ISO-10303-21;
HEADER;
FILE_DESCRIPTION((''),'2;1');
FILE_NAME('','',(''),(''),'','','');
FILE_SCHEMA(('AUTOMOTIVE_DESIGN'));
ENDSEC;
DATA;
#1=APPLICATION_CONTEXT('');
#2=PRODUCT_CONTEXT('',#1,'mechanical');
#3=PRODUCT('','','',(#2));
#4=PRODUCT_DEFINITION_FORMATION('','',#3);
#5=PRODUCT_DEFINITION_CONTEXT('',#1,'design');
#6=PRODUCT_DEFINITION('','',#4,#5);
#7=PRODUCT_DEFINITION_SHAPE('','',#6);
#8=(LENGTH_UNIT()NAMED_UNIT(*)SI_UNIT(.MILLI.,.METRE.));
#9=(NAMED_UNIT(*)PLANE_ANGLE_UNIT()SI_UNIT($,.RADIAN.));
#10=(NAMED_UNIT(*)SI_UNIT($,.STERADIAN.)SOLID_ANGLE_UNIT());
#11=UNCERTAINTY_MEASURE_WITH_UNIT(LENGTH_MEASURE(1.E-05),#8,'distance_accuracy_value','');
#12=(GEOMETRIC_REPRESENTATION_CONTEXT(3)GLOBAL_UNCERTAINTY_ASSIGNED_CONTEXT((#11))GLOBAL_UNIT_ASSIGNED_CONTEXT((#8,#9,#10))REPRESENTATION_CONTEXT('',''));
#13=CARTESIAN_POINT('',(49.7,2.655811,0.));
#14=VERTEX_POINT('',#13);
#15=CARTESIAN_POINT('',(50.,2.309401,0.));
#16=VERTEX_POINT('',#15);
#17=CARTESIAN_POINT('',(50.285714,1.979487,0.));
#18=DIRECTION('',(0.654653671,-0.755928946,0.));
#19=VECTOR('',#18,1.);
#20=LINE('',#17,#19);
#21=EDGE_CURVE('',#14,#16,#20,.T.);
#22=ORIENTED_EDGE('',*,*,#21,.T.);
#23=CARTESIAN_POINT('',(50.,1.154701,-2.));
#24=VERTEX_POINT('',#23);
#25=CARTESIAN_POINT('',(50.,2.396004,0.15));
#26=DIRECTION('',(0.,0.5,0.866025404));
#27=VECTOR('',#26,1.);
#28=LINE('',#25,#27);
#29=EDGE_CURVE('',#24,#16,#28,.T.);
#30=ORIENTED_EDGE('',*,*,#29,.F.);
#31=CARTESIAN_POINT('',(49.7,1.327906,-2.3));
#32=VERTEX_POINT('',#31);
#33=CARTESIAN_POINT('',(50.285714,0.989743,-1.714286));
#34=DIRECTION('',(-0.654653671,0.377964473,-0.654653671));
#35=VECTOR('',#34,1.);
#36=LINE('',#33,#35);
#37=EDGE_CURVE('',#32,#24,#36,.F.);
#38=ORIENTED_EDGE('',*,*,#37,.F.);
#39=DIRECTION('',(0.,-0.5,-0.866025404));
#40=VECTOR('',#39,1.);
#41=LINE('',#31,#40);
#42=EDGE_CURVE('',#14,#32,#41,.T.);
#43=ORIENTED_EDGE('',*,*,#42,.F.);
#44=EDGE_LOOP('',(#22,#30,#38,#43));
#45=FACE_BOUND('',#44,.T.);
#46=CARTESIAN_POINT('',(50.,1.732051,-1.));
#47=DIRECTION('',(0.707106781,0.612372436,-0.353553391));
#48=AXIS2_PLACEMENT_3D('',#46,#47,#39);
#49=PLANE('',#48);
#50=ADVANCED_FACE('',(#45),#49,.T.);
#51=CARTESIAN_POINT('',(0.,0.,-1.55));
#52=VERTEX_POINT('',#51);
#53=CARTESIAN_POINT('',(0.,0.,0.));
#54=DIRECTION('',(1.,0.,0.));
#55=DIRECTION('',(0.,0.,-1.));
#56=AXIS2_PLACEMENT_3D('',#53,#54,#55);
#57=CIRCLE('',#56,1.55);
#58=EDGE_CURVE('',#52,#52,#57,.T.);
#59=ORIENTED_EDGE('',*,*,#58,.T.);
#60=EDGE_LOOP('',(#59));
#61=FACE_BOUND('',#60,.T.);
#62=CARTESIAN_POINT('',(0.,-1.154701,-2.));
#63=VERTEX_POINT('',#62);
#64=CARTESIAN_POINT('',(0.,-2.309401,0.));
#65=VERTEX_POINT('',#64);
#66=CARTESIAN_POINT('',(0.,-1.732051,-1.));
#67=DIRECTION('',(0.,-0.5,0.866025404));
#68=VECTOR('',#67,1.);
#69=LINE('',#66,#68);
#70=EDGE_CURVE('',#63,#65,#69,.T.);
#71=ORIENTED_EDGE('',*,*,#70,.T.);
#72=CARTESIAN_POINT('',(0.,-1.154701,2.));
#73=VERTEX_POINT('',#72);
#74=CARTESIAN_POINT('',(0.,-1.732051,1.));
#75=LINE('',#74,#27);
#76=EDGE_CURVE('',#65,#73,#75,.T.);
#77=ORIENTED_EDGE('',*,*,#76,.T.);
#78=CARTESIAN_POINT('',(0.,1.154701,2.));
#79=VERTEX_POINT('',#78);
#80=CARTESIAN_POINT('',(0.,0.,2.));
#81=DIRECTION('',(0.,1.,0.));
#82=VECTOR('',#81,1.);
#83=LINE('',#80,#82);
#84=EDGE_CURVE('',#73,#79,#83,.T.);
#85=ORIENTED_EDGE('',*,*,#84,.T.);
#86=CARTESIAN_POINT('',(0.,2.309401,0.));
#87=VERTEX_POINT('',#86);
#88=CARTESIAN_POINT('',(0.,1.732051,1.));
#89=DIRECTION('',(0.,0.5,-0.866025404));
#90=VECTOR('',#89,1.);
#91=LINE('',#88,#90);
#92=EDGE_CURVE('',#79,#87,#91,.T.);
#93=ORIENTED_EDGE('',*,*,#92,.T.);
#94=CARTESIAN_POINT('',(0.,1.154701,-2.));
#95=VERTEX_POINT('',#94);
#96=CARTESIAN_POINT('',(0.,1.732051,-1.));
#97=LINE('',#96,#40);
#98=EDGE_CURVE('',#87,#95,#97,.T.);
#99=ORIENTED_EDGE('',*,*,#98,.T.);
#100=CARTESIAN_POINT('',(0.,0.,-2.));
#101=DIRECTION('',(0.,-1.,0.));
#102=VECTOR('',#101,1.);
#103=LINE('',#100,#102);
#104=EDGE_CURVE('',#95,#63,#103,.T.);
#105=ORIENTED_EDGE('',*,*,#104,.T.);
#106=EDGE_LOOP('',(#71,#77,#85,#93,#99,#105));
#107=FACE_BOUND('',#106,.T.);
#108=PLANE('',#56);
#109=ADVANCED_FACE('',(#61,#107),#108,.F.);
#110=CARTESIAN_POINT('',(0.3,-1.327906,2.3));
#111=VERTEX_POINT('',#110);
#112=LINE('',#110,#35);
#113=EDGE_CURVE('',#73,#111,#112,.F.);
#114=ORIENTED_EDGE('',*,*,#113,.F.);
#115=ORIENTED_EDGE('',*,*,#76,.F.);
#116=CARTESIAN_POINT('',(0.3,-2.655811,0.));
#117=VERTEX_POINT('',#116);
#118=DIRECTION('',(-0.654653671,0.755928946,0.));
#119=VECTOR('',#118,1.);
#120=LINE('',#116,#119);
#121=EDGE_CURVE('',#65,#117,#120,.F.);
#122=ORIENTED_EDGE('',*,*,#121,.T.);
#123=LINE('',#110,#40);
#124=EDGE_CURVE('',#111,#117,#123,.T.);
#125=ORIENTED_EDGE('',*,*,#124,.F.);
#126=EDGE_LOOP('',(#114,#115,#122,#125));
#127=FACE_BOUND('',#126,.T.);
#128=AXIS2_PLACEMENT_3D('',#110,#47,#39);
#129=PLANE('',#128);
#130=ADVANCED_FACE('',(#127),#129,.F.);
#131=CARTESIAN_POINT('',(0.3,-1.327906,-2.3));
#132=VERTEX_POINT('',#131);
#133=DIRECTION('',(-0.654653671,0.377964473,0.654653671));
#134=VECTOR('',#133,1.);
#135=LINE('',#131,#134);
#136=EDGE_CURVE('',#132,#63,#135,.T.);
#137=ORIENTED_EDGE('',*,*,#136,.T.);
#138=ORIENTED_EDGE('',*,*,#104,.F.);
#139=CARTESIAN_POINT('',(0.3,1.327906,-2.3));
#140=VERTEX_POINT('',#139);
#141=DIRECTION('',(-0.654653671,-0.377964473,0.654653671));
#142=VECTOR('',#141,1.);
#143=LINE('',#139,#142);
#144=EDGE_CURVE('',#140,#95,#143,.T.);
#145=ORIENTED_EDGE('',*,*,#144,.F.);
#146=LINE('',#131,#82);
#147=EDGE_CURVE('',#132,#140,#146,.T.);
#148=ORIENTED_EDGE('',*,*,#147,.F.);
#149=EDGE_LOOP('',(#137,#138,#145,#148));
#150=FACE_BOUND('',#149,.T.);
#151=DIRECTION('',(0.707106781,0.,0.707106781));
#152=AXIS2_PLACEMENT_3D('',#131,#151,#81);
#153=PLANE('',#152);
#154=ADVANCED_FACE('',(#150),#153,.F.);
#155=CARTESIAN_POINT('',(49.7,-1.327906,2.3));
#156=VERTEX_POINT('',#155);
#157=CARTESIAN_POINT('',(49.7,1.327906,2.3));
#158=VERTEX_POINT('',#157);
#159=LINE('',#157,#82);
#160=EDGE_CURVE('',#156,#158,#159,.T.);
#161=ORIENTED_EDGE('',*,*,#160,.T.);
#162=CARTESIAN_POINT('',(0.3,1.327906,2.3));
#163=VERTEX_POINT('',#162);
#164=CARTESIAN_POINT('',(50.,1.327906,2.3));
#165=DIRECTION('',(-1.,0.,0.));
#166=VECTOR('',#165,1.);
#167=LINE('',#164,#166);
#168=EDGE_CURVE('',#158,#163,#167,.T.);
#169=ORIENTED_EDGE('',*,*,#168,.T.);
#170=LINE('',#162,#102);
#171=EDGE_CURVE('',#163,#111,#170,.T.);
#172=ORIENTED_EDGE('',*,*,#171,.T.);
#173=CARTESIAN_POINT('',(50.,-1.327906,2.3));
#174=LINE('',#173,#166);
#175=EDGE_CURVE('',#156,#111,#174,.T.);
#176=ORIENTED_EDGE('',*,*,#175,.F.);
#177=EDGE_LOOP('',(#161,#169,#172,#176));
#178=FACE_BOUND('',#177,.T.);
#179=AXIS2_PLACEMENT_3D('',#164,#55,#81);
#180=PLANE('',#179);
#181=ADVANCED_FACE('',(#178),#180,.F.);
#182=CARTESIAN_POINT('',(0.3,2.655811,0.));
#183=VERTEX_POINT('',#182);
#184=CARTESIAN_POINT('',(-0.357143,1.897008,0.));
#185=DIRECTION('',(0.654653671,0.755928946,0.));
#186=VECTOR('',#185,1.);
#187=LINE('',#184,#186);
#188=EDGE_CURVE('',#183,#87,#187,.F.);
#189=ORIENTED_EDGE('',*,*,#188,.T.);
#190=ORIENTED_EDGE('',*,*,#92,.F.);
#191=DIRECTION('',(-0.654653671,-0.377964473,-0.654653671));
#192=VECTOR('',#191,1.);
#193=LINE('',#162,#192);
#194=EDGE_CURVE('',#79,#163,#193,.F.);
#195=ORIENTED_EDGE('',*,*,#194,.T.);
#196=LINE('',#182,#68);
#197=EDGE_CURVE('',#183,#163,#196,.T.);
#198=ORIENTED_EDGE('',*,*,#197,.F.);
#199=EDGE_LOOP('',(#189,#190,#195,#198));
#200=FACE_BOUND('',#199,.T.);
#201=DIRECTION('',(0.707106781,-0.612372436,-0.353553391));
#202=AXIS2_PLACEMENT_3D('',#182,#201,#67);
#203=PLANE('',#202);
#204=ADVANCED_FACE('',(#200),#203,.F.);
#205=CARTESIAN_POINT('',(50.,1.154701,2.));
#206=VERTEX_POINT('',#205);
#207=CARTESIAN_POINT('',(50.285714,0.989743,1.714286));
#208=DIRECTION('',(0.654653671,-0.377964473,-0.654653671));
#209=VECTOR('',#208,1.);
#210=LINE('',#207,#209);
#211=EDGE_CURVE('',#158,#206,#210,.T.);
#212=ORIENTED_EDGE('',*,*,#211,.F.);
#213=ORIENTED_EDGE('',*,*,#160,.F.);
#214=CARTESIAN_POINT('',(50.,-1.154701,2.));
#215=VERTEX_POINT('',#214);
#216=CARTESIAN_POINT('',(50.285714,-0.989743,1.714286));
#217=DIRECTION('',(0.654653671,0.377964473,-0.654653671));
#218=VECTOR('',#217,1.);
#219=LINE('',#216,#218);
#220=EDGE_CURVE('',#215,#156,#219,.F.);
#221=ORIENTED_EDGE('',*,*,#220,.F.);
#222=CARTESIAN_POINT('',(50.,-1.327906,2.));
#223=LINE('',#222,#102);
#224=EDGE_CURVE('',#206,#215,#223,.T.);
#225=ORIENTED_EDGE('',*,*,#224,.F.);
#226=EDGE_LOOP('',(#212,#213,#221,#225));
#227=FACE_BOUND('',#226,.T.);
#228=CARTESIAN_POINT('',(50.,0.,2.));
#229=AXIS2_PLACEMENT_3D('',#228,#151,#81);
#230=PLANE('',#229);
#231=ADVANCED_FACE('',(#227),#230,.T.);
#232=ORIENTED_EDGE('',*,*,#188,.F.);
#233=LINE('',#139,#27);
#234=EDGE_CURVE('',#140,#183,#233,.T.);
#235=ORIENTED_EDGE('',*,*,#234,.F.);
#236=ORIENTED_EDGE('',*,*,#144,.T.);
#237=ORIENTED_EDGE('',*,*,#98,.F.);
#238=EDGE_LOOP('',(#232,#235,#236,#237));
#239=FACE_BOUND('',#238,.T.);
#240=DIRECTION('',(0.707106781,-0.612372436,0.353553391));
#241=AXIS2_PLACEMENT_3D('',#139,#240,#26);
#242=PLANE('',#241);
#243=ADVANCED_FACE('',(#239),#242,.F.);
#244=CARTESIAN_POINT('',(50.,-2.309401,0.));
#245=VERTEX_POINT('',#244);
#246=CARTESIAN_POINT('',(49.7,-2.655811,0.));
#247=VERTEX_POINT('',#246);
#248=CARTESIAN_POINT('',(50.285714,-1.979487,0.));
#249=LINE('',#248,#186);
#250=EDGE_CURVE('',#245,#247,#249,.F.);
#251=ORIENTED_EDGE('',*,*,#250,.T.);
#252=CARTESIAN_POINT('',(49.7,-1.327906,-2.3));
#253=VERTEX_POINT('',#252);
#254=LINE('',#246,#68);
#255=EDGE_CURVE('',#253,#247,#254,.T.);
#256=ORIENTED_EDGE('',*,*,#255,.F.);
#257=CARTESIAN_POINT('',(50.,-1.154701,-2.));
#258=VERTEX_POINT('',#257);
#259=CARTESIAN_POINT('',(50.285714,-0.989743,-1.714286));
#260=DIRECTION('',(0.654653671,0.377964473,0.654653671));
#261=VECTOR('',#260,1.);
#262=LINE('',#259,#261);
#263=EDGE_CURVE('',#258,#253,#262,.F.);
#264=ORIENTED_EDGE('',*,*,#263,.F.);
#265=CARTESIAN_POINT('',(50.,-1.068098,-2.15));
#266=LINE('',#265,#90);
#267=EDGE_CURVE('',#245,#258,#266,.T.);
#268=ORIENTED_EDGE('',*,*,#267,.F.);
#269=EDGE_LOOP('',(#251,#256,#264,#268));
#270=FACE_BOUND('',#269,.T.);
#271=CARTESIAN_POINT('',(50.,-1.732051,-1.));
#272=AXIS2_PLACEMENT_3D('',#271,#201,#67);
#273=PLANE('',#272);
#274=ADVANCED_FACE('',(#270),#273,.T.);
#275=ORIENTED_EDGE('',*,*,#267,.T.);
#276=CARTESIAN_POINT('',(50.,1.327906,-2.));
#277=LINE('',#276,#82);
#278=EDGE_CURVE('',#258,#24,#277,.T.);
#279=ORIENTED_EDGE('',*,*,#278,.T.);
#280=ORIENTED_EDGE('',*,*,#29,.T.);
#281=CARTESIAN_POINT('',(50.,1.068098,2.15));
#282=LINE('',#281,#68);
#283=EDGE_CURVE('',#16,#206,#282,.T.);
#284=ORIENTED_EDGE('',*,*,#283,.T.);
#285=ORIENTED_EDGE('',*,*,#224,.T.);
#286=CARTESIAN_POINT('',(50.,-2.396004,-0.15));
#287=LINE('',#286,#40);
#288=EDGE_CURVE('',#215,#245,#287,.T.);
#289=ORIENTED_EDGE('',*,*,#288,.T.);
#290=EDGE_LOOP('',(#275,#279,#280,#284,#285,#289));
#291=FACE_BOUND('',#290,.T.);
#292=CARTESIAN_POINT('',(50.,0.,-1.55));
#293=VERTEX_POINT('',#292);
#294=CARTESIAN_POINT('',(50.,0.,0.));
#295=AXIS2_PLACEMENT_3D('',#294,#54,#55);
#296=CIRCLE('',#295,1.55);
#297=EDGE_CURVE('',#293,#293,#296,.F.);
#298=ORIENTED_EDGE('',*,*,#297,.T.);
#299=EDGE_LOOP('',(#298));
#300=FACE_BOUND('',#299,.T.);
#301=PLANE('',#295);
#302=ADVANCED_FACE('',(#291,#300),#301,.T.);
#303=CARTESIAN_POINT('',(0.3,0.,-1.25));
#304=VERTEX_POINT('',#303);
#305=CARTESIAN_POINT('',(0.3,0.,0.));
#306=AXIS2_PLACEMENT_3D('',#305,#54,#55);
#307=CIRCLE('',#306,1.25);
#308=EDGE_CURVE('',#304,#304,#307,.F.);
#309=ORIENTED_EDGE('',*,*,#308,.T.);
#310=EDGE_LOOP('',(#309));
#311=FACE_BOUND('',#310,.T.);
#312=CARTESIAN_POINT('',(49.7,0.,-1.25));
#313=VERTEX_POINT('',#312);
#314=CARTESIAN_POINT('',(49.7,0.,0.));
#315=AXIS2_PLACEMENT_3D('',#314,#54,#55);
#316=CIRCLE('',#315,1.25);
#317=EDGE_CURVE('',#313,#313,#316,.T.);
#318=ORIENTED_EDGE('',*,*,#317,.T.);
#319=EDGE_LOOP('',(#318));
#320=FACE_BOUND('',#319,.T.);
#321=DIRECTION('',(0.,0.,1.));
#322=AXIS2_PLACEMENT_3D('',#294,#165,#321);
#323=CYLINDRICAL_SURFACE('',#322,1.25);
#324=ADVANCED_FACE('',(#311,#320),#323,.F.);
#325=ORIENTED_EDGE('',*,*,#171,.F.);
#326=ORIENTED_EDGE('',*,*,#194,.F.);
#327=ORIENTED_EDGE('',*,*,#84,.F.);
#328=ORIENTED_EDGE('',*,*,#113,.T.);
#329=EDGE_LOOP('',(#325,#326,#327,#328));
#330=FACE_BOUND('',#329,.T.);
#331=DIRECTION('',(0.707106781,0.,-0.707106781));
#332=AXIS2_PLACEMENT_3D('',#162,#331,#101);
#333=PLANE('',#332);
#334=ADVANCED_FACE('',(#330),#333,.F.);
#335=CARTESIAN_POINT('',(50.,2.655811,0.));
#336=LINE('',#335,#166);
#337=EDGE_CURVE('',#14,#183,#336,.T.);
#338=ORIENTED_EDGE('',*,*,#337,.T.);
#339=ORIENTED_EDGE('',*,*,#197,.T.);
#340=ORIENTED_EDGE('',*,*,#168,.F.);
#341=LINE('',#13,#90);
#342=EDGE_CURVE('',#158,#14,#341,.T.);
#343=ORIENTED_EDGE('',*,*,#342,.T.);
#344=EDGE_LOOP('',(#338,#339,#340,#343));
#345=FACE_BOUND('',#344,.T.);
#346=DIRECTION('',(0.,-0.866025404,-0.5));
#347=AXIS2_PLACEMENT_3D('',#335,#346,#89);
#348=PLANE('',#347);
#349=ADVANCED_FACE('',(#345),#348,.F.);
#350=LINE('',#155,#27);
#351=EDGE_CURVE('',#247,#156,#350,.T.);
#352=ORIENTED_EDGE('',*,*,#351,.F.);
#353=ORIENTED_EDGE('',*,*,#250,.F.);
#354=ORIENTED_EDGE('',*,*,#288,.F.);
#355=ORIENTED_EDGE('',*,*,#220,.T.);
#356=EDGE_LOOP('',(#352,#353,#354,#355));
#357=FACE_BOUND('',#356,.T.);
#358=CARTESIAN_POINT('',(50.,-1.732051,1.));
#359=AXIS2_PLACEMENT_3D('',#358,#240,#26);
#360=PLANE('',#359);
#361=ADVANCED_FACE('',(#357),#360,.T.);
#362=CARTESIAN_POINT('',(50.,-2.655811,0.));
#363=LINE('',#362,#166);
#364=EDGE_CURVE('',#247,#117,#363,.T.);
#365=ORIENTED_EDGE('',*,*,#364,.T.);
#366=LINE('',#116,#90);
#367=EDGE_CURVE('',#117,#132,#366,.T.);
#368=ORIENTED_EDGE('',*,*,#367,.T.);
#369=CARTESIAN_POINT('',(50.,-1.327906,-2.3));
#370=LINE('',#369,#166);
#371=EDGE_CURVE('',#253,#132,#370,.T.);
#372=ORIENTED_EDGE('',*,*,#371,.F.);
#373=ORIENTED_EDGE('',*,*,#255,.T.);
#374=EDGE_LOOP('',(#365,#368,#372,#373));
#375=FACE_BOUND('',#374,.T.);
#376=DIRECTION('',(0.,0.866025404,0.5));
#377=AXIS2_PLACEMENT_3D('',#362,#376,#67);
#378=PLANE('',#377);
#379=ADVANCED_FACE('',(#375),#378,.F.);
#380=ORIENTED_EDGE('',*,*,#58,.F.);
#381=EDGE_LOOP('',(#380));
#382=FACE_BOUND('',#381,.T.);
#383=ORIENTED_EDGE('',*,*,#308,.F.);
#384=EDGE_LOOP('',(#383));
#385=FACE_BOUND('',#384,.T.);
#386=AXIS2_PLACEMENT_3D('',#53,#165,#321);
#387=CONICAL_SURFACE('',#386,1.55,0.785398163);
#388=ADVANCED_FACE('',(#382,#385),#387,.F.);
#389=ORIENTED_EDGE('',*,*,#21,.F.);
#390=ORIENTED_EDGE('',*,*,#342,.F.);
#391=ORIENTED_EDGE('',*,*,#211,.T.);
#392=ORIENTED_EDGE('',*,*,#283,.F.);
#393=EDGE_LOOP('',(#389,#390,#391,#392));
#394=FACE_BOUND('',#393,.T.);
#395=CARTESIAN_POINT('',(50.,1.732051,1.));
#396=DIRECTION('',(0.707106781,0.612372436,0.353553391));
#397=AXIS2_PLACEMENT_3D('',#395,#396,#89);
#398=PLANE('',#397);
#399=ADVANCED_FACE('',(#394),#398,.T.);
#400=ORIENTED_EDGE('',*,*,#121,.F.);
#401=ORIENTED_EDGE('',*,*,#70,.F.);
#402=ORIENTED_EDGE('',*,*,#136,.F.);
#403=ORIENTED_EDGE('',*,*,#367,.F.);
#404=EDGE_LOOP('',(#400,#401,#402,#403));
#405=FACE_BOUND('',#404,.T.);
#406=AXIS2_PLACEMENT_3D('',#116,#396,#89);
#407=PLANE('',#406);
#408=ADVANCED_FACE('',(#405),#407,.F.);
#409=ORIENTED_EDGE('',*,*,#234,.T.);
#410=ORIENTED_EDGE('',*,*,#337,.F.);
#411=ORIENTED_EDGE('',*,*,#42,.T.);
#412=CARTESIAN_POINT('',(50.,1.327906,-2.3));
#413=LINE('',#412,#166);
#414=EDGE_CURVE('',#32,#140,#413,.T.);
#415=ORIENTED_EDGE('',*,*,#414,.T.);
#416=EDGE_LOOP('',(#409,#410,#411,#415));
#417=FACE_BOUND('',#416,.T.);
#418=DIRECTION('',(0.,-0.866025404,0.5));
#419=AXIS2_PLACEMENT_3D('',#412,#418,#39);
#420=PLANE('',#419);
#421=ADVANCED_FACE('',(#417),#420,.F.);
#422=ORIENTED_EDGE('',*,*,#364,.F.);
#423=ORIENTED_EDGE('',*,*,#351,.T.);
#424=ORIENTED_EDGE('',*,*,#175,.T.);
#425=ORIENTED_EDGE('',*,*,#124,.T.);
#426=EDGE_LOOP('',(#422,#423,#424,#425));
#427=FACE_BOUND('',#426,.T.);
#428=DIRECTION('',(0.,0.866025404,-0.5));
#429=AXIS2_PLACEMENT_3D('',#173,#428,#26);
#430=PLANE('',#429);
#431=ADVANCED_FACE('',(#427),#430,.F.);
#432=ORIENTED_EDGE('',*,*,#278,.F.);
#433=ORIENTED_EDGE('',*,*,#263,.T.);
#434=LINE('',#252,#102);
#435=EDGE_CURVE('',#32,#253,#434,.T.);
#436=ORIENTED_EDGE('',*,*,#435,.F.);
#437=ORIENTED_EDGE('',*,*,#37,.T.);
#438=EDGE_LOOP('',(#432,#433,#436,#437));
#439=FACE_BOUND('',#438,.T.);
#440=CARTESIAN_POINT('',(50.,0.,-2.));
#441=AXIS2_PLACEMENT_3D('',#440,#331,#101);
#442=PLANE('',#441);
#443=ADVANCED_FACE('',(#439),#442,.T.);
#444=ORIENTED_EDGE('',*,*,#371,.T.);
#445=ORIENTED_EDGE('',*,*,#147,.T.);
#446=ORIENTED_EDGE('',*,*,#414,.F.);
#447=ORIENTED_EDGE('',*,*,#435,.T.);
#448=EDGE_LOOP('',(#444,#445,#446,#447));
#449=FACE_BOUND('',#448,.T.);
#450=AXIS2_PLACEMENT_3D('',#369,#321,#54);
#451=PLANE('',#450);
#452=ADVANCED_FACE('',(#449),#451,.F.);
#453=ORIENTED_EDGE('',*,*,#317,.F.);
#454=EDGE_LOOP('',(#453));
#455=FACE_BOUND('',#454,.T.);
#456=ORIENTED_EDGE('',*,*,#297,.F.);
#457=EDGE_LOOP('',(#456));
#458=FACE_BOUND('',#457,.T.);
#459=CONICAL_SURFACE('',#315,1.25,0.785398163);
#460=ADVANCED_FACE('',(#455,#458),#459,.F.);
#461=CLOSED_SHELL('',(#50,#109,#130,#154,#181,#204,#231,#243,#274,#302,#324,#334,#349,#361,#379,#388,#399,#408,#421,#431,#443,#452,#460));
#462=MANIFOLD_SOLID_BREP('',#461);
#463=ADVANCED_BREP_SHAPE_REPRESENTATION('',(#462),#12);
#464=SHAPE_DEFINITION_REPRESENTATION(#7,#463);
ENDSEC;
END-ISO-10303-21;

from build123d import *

# Parameters (mm, degrees)
SKETCH_1_R      = 1.25
EXTRUDE_1_DEPTH = 50
CHAMFER_1_SIZE  = 0.3


with BuildPart() as part:
    # 草图1 → 凸台-拉伸1 (new body)
    with BuildSketch(Plane.YZ):
        Polygon((2.655811238, 0), (1.327905619, 2.3), (-1.327905619, 2.3), (-2.655811238, 0), (-1.327905619, -2.3), (1.327905619, -2.3), align=None)
        with Locations(Location((0, 0, 0), (0, 0, 270))):
            Circle(SKETCH_1_R, mode=Mode.SUBTRACT)
    extrude(amount=EXTRUDE_1_DEPTH)

    # 倒角1
    chamfer_1_edges = [part.edges().sort_by_distance(p)[0] for p in [
        (50, 0, 2.3),
        (50, -1.991858429, 1.15),
        (0, 0, 1.25),
        (50, 0, 1.25),
        (50, -1.991858429, -1.15),
        (50, 0, -2.3),
        (50, 1.991858429, -1.15),
        (0, 0, -2.3),
        (0, -1.991858429, -1.15),
        (0, -1.991858429, 1.15),
        (0, 0, 2.3),
        (0, 1.991858429, 1.15),
        (0, 1.991858429, -1.15),
        (50, 1.991858429, 1.15),
    ]]
    chamfer(chamfer_1_edges, length=CHAMFER_1_SIZE)


solid = part.part
